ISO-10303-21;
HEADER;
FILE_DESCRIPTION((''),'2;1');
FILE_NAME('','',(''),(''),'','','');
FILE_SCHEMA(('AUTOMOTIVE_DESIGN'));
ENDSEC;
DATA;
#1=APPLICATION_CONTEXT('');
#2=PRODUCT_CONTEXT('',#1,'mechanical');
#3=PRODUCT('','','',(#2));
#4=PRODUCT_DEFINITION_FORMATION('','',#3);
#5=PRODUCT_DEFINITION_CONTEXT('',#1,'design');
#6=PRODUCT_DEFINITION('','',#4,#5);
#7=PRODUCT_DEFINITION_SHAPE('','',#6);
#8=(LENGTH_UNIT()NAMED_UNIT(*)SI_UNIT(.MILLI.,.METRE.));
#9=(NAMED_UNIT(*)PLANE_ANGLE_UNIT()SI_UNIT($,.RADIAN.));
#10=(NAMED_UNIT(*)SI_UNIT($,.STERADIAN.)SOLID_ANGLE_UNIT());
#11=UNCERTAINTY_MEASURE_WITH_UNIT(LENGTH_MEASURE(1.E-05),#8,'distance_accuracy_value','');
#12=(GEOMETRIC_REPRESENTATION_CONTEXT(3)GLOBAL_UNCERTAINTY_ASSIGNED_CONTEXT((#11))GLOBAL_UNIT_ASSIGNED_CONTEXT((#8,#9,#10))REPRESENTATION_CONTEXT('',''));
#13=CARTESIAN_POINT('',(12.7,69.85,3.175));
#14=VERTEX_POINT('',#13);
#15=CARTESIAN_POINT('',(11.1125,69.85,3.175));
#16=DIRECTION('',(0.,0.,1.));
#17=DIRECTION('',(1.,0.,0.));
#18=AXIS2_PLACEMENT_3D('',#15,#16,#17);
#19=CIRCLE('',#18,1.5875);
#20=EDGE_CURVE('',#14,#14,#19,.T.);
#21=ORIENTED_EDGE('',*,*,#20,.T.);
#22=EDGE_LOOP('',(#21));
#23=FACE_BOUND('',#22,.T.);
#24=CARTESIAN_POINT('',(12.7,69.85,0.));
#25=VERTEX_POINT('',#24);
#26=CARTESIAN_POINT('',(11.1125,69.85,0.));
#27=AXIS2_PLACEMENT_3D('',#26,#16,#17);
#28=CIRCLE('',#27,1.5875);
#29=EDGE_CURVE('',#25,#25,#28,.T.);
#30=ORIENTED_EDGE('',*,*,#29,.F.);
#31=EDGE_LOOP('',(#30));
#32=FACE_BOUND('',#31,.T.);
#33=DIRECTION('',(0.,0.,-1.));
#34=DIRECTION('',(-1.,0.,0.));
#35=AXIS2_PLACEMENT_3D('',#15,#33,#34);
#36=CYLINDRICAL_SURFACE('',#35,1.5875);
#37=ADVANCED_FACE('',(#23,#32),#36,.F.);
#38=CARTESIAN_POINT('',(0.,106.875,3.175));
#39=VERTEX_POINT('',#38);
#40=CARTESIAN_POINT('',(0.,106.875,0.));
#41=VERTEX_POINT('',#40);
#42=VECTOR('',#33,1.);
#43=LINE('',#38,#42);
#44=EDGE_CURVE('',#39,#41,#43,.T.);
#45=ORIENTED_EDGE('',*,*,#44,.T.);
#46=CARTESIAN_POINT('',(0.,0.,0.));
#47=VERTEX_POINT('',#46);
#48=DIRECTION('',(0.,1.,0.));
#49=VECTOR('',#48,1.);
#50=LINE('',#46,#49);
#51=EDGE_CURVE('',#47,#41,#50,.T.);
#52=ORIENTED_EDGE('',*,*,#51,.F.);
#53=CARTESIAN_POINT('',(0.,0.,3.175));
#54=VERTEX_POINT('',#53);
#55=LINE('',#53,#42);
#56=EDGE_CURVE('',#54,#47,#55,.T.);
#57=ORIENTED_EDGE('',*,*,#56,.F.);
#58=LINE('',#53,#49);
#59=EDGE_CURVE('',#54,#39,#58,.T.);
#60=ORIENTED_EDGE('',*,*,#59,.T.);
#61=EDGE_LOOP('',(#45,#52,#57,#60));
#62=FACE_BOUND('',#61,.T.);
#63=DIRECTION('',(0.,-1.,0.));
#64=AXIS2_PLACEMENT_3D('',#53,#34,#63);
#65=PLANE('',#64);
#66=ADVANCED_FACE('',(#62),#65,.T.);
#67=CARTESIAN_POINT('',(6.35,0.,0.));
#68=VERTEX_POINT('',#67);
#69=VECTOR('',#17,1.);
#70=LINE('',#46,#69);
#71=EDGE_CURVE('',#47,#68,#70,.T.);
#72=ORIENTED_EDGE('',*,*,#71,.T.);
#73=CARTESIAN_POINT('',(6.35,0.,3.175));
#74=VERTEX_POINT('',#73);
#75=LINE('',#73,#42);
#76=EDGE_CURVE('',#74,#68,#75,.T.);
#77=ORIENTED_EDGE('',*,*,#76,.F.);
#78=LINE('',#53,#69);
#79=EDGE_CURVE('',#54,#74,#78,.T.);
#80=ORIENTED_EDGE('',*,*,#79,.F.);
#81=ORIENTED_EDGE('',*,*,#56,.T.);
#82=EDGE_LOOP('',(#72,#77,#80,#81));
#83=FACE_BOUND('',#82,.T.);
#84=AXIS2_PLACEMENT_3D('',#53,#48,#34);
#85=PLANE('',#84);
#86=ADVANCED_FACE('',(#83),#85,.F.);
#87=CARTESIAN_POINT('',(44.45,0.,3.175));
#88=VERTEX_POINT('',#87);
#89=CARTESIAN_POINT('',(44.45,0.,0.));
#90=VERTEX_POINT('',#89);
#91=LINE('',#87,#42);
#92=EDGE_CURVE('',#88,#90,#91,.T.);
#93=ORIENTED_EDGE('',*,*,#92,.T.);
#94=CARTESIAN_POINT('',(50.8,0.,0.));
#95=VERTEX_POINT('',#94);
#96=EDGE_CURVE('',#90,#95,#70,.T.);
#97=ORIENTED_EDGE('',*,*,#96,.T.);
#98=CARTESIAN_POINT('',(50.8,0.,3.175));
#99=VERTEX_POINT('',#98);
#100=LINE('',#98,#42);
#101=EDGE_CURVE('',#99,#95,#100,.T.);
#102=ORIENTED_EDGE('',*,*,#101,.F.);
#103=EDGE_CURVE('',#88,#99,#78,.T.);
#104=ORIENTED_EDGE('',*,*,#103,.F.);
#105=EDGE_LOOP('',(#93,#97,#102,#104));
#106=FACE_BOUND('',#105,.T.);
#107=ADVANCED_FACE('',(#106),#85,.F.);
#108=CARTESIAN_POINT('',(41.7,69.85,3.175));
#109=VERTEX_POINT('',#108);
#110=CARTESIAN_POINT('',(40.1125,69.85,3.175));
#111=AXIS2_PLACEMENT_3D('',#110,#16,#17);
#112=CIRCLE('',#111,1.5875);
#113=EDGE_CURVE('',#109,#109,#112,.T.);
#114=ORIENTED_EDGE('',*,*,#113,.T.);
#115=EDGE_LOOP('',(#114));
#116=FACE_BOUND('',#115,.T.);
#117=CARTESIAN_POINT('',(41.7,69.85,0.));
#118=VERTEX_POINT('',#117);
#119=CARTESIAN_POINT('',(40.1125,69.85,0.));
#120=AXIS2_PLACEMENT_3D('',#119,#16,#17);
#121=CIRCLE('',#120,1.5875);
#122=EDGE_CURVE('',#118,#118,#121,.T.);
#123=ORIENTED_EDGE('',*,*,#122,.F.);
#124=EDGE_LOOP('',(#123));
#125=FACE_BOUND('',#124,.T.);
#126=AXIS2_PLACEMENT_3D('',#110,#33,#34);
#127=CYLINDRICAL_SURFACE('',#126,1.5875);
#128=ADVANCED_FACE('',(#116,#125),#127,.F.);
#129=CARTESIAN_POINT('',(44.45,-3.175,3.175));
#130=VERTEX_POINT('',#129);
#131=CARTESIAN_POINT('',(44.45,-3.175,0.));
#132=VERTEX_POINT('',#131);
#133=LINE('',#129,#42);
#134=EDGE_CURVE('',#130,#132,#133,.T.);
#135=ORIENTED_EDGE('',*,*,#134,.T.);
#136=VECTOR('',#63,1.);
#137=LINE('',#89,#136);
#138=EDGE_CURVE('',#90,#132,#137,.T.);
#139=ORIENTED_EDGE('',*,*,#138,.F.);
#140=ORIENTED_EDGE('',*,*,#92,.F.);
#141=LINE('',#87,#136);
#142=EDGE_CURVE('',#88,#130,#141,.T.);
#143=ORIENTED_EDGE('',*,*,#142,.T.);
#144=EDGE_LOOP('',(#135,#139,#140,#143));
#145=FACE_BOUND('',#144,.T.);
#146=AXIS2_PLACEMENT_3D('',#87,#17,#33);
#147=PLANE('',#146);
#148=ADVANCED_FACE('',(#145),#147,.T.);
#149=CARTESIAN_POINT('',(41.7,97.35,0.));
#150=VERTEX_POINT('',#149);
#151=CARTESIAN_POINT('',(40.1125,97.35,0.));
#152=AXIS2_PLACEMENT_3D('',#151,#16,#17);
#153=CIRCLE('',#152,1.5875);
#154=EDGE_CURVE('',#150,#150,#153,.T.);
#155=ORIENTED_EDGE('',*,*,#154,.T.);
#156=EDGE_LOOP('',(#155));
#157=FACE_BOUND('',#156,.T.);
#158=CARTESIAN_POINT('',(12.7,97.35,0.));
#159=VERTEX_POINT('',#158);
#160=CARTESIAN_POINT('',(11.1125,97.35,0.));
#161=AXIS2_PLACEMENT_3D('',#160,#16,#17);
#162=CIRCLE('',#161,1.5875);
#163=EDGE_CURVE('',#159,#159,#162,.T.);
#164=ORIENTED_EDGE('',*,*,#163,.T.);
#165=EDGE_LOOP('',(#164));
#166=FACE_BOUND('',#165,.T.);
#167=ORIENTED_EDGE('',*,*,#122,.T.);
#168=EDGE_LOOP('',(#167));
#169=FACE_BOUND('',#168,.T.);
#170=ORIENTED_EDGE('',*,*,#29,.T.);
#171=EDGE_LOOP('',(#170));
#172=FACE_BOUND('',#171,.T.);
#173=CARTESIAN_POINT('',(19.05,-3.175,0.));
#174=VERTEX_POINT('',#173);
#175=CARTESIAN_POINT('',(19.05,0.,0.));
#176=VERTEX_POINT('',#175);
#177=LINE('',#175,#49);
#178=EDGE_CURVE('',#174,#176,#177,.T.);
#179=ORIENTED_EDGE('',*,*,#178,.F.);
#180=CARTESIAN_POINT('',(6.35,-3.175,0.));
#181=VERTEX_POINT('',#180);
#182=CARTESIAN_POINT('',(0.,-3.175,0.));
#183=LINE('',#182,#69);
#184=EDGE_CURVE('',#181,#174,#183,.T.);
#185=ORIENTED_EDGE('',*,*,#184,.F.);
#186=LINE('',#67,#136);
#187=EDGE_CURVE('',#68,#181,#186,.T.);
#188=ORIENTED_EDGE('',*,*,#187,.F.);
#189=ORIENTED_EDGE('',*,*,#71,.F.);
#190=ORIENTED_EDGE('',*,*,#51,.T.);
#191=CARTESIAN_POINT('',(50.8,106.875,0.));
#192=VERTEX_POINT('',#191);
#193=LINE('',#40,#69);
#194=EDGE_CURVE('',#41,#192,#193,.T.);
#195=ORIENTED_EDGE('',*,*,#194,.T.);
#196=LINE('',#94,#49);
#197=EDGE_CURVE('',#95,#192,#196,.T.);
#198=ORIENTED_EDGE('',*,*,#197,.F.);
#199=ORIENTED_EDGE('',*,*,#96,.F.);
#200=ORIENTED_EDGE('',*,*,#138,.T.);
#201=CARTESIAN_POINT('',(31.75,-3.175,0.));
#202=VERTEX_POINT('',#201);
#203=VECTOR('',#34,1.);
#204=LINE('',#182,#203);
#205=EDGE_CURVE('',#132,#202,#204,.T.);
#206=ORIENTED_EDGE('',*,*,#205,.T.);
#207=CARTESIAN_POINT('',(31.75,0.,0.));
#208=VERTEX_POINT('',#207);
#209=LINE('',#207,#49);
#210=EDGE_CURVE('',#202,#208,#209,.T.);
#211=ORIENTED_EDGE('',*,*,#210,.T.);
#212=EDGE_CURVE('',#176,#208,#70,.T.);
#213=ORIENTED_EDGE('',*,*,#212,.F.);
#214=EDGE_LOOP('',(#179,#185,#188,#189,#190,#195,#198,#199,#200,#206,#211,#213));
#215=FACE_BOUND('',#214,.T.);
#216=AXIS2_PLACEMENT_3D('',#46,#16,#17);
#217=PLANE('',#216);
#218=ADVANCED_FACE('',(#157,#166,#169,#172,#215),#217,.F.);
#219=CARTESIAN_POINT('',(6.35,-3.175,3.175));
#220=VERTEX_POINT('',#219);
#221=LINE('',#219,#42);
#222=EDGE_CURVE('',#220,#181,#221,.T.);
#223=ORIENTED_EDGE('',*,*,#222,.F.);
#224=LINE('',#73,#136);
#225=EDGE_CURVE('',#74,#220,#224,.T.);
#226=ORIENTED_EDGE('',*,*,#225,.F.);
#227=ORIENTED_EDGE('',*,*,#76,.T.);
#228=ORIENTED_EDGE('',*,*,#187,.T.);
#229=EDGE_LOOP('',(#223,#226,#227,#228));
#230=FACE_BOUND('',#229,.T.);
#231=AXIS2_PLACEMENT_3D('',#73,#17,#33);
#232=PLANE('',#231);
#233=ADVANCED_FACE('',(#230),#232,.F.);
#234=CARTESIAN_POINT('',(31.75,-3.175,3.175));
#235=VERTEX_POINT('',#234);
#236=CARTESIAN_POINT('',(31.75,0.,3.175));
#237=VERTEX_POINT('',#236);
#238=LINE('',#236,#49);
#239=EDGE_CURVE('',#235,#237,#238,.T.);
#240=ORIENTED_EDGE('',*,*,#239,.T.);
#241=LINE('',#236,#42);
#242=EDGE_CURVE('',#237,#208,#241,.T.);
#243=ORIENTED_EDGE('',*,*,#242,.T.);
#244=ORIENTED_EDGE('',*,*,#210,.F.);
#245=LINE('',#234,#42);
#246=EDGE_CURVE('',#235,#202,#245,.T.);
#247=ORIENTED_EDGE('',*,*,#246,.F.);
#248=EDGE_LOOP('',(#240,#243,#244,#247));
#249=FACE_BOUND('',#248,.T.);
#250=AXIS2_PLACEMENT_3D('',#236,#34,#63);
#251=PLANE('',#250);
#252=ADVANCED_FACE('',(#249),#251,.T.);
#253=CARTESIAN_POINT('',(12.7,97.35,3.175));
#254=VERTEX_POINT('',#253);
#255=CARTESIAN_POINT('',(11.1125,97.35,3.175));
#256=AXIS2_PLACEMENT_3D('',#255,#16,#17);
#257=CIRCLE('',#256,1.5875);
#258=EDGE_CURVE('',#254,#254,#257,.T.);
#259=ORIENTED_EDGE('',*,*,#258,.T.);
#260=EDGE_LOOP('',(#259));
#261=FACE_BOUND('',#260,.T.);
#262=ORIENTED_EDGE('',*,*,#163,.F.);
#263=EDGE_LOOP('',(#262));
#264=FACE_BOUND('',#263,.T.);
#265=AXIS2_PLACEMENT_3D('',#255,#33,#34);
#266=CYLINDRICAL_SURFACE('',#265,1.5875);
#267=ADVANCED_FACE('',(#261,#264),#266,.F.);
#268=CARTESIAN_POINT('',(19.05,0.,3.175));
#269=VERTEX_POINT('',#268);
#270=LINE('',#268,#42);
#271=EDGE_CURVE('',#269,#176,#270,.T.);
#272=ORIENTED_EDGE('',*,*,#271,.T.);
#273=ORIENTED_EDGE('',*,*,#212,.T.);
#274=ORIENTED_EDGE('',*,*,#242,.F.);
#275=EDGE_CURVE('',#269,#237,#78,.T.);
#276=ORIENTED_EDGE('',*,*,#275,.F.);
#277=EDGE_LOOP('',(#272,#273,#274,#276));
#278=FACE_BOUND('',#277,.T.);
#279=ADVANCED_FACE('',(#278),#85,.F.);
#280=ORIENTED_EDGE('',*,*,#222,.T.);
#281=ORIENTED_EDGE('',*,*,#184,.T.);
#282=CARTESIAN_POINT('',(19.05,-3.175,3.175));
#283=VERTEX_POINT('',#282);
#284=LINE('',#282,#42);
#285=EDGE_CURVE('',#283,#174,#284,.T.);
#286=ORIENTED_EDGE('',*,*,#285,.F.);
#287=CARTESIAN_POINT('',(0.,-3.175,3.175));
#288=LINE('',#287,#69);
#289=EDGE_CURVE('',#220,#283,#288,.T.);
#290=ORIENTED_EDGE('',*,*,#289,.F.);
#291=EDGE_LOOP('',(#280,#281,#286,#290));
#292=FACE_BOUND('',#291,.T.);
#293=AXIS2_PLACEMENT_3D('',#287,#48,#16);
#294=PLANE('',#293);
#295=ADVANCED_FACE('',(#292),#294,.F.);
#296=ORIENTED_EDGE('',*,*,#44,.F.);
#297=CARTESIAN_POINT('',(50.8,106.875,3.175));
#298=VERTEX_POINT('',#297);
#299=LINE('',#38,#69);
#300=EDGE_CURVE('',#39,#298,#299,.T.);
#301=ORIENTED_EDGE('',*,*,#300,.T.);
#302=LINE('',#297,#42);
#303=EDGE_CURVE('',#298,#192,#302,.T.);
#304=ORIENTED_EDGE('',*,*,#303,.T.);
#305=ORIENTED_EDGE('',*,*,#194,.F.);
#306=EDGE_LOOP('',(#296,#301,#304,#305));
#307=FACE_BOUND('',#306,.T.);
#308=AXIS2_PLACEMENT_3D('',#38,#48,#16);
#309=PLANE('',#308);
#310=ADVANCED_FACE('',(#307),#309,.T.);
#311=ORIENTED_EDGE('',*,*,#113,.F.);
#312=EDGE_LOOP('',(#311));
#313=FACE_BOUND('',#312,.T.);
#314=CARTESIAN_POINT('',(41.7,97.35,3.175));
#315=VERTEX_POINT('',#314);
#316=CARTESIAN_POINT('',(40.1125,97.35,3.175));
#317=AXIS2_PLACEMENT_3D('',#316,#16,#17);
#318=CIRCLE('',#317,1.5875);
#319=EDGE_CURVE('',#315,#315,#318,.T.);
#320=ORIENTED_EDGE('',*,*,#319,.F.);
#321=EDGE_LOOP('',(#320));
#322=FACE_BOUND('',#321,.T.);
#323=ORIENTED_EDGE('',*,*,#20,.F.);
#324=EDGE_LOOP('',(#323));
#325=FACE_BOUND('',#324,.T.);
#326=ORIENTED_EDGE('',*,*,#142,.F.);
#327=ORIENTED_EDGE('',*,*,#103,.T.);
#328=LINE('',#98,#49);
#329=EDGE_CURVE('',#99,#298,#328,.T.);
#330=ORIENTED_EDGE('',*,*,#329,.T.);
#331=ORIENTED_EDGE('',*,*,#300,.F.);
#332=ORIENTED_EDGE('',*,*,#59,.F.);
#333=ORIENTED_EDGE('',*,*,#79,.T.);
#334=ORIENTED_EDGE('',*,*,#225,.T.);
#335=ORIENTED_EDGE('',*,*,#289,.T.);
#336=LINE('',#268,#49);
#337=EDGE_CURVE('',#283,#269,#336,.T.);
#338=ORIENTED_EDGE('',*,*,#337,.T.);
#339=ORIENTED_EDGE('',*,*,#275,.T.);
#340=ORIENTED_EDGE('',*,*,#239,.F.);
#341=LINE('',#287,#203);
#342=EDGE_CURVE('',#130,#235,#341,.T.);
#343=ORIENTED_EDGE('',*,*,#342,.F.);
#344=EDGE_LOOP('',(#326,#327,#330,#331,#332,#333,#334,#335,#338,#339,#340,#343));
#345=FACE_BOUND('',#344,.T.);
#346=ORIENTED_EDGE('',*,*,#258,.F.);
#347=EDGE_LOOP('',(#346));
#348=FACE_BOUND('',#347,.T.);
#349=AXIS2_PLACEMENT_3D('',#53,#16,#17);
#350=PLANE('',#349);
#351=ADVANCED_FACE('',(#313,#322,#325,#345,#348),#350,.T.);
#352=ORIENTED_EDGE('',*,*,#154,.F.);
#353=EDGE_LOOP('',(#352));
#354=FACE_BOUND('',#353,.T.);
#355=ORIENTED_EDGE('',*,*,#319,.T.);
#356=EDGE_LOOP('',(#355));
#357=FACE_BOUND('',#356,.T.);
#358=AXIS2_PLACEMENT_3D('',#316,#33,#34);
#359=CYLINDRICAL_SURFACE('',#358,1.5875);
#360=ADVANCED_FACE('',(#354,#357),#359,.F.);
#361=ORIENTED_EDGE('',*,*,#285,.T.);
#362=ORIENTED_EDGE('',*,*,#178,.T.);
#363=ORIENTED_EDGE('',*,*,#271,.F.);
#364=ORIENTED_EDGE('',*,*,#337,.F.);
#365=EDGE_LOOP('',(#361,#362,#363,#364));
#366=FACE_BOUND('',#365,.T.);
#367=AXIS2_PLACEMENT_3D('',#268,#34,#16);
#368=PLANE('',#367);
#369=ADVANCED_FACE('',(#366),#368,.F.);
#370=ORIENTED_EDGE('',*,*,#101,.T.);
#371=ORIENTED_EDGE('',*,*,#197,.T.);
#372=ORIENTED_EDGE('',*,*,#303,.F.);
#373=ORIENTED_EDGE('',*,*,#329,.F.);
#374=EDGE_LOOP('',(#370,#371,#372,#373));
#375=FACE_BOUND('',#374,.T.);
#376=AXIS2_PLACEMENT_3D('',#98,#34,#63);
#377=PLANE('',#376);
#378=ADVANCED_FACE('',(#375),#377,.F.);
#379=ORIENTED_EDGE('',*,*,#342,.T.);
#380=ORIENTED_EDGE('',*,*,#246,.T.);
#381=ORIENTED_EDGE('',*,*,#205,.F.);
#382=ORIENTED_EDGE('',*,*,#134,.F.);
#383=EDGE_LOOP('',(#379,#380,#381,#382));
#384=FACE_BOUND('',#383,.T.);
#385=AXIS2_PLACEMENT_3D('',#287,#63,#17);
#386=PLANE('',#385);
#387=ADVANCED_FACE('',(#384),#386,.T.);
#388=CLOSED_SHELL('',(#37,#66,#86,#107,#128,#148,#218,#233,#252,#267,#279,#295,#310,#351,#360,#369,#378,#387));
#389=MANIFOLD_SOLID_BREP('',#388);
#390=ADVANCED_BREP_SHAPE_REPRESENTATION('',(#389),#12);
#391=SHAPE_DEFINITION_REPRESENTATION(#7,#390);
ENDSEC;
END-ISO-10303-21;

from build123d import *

# Parameters (mm, degrees)
SKETCH1_R           = 1.5875
BOSS_EXTRUDE1_DEPTH = 3.175


with BuildPart() as part:
    # Sketch1 → Boss-Extrude1 (new body)
    with BuildSketch(Plane.XY):
        Polygon((50.8, 106.875), (11.1125, 106.875), (0, 106.875), (0, 0), (6.35, 0), (6.35, -3.175), (19.05, -3.175), (19.05, 0), (31.75, 0), (31.75, -3.175), (44.45, -3.175), (44.45, 0), (50.8, 0), align=None)
        with BuildLine():
            ThreePointArc((11.1125, 68.2625), (9.525, 69.85), (11.1125, 71.4375))
            ThreePointArc((11.1125, 71.4375), (12.235032015, 70.972532015), (12.7, 69.85))
            ThreePointArc((12.7, 69.85), (12.235032015, 68.727467985), (11.1125, 68.2625))
        make_face(mode=Mode.SUBTRACT)
        with BuildLine():
            ThreePointArc((11.1125, 95.7625), (9.525, 97.35), (11.1125, 98.9375))
            ThreePointArc((11.1125, 98.9375), (12.235032015, 98.472532015), (12.7, 97.35))
            ThreePointArc((12.7, 97.35), (12.235032015, 96.227467985), (11.1125, 95.7625))
        make_face(mode=Mode.SUBTRACT)
        with Locations((40.1125, 69.85)):
            Circle(SKETCH1_R, mode=Mode.SUBTRACT)
        with Locations((40.1125, 97.35)):
            Circle(SKETCH1_R, mode=Mode.SUBTRACT)
    extrude(amount=BOSS_EXTRUDE1_DEPTH)


solid = part.part
